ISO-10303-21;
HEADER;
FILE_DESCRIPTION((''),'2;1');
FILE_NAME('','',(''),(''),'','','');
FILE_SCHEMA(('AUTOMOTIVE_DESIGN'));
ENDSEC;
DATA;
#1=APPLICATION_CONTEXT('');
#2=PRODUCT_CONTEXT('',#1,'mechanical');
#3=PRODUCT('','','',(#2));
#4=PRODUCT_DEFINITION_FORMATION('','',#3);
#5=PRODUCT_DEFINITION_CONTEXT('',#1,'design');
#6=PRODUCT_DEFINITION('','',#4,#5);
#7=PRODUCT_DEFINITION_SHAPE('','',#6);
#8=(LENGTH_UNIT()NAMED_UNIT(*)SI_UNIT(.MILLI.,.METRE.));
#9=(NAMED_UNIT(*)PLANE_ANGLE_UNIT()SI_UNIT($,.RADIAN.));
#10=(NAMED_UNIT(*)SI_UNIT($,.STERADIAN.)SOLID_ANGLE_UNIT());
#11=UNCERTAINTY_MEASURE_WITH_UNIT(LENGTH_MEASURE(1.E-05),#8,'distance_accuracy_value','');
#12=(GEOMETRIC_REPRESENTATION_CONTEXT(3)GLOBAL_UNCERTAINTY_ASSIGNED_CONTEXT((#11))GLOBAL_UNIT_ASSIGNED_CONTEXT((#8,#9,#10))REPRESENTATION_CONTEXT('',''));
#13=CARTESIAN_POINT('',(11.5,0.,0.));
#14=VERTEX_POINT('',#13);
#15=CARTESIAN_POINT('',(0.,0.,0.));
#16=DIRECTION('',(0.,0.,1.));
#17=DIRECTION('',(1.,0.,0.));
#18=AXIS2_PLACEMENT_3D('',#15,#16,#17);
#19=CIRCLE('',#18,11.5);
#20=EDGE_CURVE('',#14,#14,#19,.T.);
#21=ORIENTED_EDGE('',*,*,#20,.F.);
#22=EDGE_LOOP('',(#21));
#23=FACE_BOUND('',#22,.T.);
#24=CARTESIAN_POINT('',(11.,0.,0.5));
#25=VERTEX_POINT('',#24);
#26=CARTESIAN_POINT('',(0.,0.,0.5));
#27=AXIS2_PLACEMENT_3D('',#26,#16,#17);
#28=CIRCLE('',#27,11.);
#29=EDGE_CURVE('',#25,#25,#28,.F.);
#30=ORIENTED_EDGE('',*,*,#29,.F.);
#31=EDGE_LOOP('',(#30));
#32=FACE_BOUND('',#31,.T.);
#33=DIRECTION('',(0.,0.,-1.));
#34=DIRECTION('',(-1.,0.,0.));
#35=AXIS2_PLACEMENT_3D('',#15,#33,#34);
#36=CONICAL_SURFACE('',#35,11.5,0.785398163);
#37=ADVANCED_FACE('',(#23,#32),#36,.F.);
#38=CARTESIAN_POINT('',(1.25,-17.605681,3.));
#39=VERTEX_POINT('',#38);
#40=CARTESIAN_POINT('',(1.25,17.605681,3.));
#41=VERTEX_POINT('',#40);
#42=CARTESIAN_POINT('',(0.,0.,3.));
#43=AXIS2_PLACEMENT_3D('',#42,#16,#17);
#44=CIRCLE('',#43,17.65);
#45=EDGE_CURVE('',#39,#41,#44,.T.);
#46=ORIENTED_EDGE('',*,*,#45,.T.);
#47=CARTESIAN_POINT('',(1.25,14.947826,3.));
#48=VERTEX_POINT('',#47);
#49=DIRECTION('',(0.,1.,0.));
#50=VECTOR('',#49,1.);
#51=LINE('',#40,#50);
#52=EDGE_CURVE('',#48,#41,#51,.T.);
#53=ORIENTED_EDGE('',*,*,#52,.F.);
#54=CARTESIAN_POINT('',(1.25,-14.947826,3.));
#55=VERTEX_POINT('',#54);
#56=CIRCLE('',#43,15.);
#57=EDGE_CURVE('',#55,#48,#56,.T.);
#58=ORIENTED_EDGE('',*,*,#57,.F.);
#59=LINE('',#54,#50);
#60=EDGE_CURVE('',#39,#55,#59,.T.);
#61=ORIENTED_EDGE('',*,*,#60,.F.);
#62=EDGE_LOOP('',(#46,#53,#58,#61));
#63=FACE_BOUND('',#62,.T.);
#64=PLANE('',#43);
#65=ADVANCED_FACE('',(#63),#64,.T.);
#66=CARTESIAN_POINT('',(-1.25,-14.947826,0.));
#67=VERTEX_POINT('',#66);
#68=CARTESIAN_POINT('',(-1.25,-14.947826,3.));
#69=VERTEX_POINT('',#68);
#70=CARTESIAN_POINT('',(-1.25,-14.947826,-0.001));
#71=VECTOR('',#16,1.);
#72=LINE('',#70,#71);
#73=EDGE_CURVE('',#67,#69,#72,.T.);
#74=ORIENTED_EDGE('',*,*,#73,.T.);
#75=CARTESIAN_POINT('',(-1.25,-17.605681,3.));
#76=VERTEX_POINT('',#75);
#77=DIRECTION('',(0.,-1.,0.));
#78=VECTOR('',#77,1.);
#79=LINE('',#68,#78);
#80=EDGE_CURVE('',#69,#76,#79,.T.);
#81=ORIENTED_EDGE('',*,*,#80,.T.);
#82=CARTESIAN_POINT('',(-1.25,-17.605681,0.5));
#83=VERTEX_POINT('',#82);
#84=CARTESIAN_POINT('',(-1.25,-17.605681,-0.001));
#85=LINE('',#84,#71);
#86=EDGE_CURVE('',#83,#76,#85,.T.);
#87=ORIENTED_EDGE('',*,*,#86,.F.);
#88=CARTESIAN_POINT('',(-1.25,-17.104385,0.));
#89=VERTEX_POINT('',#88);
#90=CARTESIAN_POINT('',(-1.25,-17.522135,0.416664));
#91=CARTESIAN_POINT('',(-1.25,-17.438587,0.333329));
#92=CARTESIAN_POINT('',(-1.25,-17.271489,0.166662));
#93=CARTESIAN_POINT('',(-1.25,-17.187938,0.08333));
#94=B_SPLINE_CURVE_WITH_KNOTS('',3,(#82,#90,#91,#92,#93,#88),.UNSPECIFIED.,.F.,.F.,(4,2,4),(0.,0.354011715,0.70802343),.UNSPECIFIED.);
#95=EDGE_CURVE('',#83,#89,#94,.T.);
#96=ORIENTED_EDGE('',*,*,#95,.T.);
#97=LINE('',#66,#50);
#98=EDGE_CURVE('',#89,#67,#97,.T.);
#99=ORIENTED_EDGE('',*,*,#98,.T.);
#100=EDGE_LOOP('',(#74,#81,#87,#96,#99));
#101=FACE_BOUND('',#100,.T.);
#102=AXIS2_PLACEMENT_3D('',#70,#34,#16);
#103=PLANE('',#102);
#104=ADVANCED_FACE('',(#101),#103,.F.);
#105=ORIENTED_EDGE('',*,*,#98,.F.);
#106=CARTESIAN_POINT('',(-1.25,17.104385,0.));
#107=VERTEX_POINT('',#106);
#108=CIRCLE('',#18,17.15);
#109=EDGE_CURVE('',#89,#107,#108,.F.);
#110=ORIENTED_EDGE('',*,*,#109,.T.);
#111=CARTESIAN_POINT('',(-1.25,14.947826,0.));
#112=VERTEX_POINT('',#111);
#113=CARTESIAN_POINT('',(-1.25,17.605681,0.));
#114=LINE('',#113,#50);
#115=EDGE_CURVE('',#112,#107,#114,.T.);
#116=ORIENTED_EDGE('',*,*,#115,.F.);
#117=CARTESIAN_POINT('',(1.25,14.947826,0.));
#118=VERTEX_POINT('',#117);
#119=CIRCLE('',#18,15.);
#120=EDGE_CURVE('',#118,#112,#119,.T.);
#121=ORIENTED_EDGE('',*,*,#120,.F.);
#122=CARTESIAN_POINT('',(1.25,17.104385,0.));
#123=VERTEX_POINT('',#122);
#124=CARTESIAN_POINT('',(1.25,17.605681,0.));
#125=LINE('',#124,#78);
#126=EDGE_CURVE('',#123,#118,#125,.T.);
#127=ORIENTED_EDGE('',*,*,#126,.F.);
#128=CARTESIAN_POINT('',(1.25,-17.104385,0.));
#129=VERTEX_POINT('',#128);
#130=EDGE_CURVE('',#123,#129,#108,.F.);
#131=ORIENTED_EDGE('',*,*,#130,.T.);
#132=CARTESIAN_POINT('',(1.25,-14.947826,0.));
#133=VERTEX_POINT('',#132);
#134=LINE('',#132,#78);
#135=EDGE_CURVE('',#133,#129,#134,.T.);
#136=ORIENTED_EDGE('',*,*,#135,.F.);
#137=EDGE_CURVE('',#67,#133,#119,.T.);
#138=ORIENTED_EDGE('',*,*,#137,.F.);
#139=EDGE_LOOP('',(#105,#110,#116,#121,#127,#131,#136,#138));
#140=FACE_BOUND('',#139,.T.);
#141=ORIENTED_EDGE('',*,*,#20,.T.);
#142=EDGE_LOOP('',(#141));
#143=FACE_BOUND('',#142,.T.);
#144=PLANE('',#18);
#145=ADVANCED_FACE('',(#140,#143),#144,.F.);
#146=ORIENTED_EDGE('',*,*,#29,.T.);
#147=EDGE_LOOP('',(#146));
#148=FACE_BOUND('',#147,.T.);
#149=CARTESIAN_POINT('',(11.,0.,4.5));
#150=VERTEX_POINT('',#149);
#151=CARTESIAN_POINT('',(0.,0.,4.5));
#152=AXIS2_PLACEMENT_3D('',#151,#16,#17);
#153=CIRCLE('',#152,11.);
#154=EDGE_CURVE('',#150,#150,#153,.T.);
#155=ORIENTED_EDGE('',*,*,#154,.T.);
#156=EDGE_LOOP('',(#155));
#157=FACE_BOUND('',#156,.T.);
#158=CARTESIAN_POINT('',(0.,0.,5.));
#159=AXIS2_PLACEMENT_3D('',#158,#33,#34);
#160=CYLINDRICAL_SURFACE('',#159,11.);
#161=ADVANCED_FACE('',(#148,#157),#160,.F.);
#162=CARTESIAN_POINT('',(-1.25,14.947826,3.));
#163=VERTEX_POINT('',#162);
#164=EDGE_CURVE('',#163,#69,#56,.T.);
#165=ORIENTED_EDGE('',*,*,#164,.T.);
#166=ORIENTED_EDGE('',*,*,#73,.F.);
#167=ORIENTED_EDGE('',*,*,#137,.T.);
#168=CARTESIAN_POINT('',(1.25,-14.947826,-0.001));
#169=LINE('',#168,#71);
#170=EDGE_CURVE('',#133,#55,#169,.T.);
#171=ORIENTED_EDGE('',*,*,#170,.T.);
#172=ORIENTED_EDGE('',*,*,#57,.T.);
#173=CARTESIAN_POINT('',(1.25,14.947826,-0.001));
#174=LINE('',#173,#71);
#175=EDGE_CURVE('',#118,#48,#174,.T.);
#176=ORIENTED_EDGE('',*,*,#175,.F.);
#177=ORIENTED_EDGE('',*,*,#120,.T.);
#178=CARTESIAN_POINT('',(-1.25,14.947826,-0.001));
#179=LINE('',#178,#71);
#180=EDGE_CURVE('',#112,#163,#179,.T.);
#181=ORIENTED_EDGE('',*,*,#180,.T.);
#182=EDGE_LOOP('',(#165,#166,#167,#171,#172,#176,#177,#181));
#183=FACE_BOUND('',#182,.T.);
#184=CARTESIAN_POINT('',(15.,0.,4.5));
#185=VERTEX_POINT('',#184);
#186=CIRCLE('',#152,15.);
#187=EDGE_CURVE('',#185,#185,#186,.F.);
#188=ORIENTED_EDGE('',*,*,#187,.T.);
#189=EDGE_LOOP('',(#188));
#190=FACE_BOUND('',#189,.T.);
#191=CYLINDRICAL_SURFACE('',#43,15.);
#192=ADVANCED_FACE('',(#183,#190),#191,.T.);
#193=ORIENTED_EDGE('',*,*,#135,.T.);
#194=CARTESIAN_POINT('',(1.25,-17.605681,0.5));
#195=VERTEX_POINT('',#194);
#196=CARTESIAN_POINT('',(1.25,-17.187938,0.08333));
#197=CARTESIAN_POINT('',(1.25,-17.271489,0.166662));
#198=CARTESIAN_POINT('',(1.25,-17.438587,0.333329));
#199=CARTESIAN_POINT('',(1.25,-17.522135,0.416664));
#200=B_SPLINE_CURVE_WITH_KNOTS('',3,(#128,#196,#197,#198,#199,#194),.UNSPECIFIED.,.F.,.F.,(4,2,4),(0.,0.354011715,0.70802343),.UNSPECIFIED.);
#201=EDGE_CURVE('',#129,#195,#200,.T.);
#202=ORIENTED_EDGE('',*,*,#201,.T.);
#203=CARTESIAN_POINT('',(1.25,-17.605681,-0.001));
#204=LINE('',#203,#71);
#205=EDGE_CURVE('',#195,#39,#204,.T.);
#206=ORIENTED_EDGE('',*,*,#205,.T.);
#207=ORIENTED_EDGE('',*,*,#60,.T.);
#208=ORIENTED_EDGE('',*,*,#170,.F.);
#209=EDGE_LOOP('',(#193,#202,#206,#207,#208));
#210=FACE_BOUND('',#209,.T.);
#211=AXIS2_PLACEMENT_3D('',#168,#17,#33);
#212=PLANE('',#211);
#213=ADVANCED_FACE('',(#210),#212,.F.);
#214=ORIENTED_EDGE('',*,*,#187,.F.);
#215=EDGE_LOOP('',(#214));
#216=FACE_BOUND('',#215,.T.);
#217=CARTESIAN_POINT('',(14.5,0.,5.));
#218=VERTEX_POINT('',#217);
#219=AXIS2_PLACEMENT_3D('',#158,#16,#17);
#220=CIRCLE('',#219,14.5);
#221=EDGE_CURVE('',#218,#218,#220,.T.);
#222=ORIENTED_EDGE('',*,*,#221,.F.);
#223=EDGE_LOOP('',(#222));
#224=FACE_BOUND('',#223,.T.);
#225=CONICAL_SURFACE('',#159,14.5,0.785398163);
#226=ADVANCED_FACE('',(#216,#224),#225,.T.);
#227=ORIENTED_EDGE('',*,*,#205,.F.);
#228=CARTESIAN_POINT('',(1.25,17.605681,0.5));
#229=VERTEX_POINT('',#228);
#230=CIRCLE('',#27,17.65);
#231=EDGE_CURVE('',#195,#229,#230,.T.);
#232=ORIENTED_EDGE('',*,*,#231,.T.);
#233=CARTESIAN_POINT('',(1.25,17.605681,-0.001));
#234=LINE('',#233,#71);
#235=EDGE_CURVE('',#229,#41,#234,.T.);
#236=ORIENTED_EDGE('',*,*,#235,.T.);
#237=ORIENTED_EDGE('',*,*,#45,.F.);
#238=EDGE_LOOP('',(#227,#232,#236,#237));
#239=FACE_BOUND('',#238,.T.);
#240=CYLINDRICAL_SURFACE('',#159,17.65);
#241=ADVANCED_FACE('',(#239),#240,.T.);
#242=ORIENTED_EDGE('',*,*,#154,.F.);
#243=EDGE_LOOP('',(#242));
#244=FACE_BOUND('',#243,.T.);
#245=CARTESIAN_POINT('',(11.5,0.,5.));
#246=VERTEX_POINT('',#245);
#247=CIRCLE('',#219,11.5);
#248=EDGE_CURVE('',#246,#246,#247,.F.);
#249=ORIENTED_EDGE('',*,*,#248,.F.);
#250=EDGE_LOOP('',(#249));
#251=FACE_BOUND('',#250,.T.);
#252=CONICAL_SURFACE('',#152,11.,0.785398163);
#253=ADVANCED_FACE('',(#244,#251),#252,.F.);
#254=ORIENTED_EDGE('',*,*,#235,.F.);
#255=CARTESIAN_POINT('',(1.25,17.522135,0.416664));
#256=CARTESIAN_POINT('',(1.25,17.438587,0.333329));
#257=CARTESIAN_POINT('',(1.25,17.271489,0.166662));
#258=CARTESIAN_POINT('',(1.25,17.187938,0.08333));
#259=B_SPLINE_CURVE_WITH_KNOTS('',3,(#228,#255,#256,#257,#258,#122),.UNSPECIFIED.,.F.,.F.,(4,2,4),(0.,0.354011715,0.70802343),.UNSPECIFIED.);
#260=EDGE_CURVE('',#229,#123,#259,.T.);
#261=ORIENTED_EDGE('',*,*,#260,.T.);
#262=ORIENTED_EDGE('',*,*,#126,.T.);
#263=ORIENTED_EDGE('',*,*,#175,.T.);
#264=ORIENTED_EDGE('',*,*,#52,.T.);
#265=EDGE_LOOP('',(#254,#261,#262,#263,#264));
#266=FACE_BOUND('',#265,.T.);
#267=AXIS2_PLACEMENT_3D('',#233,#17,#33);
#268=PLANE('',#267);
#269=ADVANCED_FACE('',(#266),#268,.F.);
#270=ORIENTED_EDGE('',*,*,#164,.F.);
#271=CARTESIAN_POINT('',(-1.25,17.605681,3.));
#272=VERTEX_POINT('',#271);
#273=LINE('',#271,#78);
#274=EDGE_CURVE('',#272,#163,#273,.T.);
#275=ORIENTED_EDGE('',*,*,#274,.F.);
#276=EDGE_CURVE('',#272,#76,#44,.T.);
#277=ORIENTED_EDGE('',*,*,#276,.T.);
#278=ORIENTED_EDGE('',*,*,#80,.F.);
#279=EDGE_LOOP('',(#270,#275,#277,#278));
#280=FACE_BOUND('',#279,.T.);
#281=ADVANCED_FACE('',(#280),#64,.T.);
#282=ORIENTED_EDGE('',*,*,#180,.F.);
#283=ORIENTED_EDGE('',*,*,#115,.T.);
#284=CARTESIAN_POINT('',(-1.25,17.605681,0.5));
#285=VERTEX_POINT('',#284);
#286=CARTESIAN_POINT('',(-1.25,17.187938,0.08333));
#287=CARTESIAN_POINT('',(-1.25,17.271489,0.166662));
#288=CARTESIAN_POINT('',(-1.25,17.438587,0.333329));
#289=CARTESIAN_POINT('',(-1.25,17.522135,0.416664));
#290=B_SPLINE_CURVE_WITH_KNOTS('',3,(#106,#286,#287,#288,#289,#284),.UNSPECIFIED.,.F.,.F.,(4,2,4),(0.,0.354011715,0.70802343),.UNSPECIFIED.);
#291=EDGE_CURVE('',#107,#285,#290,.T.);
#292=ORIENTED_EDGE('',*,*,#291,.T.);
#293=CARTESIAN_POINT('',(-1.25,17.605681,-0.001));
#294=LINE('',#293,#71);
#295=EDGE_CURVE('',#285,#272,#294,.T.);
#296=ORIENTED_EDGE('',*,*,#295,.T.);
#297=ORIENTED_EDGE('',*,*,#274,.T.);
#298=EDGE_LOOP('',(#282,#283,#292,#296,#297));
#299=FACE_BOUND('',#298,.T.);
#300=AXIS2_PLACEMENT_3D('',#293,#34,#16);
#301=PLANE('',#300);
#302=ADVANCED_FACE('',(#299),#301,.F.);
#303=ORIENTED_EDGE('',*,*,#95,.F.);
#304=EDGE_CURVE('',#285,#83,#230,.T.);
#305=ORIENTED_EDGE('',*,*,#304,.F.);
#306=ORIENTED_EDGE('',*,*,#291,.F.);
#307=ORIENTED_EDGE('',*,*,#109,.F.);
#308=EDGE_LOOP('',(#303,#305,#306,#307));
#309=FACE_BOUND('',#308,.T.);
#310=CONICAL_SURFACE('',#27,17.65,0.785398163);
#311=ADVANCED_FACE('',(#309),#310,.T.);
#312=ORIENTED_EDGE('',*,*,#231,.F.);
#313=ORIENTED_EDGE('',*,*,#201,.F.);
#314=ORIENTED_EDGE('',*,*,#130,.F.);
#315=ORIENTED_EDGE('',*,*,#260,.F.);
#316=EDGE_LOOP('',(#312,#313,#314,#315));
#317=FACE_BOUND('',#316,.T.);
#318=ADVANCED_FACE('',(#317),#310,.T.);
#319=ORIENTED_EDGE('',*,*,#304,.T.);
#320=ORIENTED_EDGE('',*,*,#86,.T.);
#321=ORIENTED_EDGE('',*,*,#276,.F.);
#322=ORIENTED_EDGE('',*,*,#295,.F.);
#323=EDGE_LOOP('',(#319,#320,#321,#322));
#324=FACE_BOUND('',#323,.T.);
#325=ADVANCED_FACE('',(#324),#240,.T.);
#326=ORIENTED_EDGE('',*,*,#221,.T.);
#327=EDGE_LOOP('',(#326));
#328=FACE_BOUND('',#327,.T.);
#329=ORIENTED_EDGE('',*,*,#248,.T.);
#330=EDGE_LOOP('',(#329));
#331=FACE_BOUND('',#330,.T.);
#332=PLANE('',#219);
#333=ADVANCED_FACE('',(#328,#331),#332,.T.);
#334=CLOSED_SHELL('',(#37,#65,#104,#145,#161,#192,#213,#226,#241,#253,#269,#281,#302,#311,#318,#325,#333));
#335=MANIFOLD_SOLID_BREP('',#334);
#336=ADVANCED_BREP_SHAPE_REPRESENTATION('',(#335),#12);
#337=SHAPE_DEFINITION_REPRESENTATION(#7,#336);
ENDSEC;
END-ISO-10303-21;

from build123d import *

# Parameters (mm, degrees)
SKETCH1_R           = 17.65
SKETCH1_R_2         = 11
BOSS_EXTRUDE1_DEPTH = 5
SKETCH2_R           = 17.65
SKETCH2_R_2         = 15
CUT_EXTRUDE1_DEPTH  = 2
CUT_EXTRUDE3_REACH  = 5
CHAMFER1_SIZE       = 0.5


with BuildPart() as part:
    # Sketch1 → Boss-Extrude1 (new body)
    with BuildSketch(Plane.XY):
        Circle(SKETCH1_R)
        Circle(SKETCH1_R_2, mode=Mode.SUBTRACT)
    extrude(amount=BOSS_EXTRUDE1_DEPTH)

    # Sketch2 → Cut-Extrude1 (cut)
    with BuildSketch(Plane.XY.offset(5)):
        Circle(SKETCH2_R)
        Circle(SKETCH2_R_2, mode=Mode.SUBTRACT)
    extrude(amount=-CUT_EXTRUDE1_DEPTH, mode=Mode.SUBTRACT)

    # Sketch3 → Cut-Extrude3 (cut, up to next)
    with BuildSketch(Plane.XY.offset(3), mode=Mode.PRIVATE) as cut_extrude3_sk1:
        with BuildLine():
            Line((1.25, 17.605680901), (1.25, 14.947825929))
            ThreePointArc((1.25, 14.947825929), (0, 15), (-1.25, 14.947825929))
            Line((-1.25, 14.947825929), (-1.25, 17.605680901))
            ThreePointArc((-1.25, 17.605680901), (0, 17.65), (1.25, 17.605680901))
        make_face()
    cut_extrude3_tool1 = extrude(cut_extrude3_sk1.sketch, amount=-CUT_EXTRUDE3_REACH, mode=Mode.PRIVATE) & part.part
    add(cut_extrude3_tool1.solids().sort_by_distance((0, 16.308915, 3))[0], mode=Mode.SUBTRACT)
    # Sketch3 → Cut-Extrude3 (cut, up to next)
    with BuildSketch(Plane.XY.offset(3), mode=Mode.PRIVATE) as cut_extrude3_sk2:
        with BuildLine():
            Line((1.25, -14.947825929), (1.25, -17.605680901))
            ThreePointArc((1.25, -17.605680901), (0, -17.65), (-1.25, -17.605680901))
            Line((-1.25, -17.605680901), (-1.25, -14.947825929))
            ThreePointArc((-1.25, -14.947825929), (0, -15), (1.25, -14.947825929))
        make_face()
    cut_extrude3_tool2 = extrude(cut_extrude3_sk2.sketch, amount=-CUT_EXTRUDE3_REACH, mode=Mode.PRIVATE) & part.part
    add(cut_extrude3_tool2.solids().sort_by_distance((0, -16.308915, 3))[0], mode=Mode.SUBTRACT)

    # Chamfer1
    chamfer1_edges = [part.edges().sort_by_distance(p)[0] for p in [
        (-15, 0, 5),
        (-17.65, 0, 0),
        (17.65, 0, 0),
        (-11, 0, 0),
        (-11, 0, 5),
    ]]
    chamfer(chamfer1_edges, length=CHAMFER1_SIZE)


solid = part.part
